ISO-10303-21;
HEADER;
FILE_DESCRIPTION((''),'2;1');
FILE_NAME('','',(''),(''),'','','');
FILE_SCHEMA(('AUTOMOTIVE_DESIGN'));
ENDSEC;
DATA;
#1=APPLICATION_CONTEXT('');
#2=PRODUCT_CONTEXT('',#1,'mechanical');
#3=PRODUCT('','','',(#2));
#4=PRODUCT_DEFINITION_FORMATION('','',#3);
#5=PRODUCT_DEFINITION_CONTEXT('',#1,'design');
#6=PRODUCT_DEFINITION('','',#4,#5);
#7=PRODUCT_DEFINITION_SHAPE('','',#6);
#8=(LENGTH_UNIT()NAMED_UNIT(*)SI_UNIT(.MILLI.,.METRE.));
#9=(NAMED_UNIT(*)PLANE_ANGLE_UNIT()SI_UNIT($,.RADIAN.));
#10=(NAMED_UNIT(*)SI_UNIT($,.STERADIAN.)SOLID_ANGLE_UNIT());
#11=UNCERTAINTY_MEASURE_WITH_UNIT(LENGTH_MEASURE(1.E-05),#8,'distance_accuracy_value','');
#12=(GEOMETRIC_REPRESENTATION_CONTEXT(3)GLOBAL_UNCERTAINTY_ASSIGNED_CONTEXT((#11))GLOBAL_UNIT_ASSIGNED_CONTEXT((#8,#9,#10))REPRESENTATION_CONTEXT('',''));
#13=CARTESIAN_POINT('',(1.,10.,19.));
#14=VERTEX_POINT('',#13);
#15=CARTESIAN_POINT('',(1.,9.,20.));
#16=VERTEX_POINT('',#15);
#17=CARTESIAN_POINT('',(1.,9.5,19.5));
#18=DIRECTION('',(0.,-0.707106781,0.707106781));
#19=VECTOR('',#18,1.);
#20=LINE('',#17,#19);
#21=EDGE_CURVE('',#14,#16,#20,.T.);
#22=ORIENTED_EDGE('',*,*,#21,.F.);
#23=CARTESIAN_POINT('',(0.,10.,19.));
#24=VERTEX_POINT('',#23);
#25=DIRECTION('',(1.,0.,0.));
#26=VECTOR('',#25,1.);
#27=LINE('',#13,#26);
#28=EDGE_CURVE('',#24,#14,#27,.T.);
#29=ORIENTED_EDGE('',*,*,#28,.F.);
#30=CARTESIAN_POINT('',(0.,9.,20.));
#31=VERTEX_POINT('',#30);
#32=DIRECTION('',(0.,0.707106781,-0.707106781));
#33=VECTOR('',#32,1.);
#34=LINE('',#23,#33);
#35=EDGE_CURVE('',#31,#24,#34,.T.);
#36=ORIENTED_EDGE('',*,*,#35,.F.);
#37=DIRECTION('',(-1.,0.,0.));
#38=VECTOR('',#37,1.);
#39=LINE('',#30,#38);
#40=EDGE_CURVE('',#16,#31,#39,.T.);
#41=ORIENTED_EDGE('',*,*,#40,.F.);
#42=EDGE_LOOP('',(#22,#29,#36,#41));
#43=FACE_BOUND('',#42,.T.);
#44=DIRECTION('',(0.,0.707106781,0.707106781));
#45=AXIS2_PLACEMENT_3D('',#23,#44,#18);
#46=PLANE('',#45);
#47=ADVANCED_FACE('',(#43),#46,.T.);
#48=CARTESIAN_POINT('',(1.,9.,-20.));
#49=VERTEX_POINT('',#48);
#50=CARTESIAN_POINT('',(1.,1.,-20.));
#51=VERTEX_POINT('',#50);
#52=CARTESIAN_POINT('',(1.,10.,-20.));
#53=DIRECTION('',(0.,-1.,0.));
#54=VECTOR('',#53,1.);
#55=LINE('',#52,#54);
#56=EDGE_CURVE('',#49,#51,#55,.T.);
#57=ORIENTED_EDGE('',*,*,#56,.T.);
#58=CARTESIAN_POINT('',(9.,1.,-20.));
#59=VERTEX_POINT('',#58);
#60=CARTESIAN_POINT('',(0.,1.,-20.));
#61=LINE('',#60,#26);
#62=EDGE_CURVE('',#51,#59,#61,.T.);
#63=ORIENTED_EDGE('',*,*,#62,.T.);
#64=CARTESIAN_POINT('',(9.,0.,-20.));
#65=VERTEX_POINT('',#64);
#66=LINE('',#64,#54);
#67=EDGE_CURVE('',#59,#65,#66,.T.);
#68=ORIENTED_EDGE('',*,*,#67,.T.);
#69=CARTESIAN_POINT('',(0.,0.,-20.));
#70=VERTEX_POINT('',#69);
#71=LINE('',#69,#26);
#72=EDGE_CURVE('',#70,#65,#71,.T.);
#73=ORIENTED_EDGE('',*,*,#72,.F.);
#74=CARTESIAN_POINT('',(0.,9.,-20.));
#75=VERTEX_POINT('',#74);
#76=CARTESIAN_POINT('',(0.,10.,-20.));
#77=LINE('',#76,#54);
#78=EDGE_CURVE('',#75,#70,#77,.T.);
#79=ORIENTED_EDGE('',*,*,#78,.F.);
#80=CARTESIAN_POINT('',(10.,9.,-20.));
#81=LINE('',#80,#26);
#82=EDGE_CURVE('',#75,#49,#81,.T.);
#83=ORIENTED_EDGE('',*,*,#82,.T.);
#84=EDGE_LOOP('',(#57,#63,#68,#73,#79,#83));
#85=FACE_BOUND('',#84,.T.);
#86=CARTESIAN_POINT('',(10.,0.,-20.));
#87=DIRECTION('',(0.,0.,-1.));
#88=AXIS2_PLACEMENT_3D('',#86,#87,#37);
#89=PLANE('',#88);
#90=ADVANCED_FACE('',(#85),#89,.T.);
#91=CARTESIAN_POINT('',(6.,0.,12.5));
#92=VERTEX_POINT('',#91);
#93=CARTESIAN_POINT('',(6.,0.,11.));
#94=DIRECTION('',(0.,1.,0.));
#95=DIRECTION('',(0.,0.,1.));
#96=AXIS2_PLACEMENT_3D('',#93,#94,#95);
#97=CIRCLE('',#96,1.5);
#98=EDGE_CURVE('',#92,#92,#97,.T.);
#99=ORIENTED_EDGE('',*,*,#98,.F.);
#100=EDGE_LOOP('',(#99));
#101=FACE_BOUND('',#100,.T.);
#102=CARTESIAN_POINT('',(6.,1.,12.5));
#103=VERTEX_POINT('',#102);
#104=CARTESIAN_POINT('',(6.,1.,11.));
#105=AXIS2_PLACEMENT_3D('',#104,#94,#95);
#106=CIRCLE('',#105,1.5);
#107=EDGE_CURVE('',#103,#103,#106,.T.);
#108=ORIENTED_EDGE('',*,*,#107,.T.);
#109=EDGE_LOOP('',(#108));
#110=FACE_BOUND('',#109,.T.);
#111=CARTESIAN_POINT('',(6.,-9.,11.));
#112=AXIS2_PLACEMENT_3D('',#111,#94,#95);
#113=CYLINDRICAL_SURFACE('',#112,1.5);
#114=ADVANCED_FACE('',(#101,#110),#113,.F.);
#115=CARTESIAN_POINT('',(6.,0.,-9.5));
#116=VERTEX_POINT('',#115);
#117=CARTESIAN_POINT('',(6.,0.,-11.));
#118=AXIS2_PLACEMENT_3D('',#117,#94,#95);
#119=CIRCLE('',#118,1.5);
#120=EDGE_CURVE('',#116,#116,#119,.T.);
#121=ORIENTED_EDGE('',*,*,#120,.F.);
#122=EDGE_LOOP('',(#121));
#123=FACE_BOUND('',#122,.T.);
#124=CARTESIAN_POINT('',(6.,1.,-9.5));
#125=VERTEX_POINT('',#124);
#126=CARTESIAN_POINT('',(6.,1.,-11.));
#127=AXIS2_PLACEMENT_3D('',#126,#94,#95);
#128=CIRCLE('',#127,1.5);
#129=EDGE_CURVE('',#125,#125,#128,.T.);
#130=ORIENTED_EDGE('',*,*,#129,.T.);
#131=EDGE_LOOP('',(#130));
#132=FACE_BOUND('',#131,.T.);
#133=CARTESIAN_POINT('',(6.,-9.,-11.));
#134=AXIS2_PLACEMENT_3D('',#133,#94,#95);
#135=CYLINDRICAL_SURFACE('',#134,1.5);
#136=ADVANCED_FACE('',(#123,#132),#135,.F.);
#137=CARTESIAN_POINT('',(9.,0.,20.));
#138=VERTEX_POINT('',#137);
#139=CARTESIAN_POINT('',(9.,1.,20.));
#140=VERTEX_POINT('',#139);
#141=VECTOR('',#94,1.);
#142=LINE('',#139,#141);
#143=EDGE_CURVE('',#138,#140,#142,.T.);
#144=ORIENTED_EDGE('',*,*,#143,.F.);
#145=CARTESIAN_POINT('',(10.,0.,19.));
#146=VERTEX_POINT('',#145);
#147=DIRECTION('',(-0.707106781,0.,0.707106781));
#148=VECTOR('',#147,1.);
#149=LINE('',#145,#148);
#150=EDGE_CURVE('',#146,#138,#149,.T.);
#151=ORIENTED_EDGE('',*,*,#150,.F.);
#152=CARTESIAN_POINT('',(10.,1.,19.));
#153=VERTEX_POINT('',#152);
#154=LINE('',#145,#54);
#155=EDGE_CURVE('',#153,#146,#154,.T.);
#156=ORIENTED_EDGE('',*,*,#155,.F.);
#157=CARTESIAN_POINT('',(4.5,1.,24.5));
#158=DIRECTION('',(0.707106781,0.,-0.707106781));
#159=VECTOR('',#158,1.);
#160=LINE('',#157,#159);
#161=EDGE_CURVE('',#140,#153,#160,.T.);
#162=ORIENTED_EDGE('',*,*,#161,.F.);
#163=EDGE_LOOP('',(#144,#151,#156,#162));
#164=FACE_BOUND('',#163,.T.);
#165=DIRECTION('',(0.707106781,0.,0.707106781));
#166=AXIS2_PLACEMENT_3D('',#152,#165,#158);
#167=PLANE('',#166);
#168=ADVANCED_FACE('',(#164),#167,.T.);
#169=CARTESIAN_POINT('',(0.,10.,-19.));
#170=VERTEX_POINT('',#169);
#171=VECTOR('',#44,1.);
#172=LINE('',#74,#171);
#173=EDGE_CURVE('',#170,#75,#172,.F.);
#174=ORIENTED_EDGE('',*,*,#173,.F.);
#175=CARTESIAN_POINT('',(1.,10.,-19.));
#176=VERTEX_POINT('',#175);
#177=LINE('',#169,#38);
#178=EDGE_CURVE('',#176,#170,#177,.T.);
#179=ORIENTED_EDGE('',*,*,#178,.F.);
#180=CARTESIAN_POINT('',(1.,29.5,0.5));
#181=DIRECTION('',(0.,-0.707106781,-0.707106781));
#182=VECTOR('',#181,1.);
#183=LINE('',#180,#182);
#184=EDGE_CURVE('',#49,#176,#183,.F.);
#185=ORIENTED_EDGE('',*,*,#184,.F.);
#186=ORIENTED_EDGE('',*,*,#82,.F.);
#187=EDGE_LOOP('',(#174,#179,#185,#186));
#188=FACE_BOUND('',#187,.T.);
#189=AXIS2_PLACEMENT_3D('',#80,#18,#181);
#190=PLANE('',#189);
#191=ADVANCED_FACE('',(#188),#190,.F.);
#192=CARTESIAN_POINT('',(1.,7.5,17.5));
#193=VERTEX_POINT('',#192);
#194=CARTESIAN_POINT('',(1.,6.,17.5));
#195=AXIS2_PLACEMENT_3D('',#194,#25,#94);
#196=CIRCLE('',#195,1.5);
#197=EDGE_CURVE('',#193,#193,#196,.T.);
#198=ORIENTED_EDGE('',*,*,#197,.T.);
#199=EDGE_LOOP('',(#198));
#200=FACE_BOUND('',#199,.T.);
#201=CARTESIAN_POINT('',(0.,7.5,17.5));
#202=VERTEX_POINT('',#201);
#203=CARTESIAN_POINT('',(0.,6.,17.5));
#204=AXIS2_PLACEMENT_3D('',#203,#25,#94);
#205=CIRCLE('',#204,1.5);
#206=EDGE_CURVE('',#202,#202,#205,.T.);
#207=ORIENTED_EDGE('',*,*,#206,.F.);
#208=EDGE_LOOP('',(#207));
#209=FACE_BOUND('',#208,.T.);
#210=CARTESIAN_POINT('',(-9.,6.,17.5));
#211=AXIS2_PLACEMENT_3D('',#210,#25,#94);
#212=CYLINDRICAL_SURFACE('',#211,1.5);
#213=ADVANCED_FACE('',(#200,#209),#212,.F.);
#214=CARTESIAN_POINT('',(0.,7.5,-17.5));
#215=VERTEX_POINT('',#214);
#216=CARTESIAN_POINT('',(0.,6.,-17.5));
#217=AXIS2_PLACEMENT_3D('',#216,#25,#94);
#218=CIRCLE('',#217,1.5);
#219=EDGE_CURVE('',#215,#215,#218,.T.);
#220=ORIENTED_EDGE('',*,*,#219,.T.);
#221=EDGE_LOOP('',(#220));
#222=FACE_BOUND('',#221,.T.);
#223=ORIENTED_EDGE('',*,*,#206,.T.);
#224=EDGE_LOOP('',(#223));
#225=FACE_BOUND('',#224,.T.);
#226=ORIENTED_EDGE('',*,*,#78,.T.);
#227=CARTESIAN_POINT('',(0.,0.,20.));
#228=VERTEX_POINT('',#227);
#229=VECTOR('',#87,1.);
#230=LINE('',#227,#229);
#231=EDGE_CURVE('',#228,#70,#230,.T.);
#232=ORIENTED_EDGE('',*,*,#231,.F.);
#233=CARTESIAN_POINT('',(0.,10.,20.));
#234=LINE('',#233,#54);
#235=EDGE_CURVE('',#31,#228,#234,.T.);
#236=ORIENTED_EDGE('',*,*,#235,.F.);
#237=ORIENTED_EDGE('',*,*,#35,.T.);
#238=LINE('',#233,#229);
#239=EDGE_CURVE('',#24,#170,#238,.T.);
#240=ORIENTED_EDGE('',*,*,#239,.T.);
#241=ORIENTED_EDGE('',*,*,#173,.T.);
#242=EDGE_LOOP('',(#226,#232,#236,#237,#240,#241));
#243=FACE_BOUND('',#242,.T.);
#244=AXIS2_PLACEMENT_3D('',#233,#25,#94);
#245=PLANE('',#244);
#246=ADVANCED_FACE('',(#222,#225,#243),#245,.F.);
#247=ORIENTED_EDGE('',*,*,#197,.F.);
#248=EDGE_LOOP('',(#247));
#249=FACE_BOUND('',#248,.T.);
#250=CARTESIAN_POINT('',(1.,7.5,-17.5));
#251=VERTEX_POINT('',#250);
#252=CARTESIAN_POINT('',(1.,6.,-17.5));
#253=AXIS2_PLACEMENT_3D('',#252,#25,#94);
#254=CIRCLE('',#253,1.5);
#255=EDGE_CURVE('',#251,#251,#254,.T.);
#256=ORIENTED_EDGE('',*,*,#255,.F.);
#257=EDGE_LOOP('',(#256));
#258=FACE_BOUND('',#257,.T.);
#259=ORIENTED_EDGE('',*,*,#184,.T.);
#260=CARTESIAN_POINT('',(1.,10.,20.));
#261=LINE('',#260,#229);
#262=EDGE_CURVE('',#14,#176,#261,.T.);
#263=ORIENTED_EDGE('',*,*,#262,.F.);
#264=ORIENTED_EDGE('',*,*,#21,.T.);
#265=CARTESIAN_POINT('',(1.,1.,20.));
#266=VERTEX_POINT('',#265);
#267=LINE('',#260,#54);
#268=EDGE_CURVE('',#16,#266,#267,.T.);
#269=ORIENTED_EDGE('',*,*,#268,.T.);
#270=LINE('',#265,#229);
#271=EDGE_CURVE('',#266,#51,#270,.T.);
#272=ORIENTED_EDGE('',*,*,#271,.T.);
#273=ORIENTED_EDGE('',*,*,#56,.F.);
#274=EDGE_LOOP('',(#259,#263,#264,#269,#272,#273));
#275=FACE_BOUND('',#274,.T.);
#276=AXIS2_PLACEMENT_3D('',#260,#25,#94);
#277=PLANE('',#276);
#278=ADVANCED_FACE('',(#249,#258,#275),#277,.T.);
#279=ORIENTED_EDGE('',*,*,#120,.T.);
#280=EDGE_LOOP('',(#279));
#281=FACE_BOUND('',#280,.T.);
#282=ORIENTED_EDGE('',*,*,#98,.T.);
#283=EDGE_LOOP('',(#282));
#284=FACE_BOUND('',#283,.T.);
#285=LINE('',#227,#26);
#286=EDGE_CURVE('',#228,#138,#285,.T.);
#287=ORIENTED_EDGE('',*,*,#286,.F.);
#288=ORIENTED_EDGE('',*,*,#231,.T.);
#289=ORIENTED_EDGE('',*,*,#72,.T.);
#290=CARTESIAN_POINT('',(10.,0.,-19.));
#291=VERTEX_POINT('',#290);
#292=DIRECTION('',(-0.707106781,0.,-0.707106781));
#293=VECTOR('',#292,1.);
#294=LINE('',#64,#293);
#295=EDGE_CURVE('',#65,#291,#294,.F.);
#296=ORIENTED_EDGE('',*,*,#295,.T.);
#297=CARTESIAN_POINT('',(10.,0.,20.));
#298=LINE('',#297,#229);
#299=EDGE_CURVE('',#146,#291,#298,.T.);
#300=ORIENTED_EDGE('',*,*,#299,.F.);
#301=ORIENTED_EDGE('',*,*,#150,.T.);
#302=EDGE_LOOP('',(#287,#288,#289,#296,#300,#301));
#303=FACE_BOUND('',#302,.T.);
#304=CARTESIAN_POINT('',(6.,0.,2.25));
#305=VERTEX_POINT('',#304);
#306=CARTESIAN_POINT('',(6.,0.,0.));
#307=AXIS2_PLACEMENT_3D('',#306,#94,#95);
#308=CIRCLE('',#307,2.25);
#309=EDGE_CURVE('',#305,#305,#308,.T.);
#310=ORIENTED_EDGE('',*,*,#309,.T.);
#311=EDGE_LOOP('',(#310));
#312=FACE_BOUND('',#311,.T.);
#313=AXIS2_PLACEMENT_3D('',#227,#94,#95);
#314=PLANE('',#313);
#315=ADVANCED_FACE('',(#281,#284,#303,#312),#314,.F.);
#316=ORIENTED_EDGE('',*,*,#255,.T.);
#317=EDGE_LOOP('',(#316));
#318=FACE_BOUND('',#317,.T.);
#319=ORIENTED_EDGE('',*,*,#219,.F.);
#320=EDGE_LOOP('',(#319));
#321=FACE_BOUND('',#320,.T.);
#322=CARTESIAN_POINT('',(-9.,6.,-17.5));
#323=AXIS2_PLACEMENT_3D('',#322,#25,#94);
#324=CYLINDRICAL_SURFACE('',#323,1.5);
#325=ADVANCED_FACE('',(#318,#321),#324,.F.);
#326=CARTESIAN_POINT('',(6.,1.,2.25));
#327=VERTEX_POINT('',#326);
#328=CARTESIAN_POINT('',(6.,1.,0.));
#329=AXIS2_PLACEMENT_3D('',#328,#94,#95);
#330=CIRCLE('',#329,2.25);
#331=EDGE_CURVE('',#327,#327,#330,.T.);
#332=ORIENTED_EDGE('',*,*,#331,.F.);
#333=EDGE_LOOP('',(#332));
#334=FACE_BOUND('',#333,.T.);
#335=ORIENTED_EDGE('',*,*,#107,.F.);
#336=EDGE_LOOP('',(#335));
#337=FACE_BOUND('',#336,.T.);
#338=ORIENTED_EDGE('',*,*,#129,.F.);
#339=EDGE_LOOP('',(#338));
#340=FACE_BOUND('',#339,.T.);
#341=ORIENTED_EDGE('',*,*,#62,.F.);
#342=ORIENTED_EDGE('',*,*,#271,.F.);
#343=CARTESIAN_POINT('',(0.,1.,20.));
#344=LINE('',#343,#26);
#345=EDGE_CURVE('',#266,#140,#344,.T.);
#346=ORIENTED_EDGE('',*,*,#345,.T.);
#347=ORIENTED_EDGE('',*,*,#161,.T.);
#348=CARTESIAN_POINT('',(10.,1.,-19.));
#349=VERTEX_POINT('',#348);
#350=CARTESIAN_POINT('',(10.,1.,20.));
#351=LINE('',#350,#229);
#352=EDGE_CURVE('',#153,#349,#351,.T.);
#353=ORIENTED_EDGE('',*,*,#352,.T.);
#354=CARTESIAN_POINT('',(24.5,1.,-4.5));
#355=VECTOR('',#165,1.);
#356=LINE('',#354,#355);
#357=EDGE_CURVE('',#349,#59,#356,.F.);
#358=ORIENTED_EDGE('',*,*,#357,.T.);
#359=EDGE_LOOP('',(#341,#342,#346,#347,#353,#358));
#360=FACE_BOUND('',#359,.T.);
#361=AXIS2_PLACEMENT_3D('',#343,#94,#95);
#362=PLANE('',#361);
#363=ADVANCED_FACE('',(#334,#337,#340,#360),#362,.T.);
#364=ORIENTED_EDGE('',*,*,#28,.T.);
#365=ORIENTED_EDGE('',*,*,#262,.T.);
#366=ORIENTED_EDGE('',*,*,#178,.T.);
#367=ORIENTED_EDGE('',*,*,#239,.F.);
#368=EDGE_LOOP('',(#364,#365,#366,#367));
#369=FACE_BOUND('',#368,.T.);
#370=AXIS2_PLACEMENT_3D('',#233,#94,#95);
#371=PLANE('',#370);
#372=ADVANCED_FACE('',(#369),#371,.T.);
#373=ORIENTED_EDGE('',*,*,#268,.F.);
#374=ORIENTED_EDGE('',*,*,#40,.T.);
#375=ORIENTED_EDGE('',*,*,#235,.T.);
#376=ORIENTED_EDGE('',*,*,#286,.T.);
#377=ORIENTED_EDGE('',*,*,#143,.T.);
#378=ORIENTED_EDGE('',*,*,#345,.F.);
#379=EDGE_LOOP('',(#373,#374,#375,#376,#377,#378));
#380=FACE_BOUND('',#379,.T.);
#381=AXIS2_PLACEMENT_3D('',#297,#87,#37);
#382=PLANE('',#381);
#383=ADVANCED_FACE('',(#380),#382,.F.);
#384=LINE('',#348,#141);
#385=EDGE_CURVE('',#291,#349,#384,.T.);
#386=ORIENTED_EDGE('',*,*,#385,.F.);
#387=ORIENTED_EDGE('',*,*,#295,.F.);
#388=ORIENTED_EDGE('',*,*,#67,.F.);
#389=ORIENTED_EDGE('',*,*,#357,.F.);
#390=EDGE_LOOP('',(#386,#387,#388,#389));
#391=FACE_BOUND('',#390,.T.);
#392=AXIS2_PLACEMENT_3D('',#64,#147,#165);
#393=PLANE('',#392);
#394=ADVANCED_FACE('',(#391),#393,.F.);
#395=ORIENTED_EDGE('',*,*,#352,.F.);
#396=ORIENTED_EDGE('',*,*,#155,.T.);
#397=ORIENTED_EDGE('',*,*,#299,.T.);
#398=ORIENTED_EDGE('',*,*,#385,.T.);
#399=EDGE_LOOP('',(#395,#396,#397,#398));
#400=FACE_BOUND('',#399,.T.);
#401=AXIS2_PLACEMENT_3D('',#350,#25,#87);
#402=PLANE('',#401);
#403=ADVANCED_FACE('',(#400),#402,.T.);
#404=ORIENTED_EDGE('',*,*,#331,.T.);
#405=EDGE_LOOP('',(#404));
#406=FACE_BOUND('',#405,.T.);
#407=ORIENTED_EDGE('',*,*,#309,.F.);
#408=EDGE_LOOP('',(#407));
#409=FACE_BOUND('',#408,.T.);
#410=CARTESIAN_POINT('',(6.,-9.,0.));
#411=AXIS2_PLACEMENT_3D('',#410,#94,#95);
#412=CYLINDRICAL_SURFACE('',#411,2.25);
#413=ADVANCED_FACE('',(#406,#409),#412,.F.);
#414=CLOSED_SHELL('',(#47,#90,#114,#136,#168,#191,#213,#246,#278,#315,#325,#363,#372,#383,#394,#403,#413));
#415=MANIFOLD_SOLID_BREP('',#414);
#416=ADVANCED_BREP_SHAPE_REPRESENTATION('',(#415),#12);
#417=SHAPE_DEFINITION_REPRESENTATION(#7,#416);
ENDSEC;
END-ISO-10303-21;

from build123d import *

# Parameters (mm, degrees)
LINEAR_AUSTRAGEN_D_NN1_DEPTH    = 20
FASE1_SIZE                      = 1
SKIZZE2_R                       = 1.5
SCHNITT_LINEAR_AUSTRAGEN1_DEPTH = 10
SKIZZE3_R                       = 1.5
SCHNITT_LINEAR_AUSTRAGEN2_DEPTH = 10
SKIZZE4_R                       = 2.25
SCHNITT_LINEAR_AUSTRAGEN3_DEPTH = 10


with BuildPart() as part:
    # Skizze1 → Linear-Austragen-Dünn1 (new, symmetric)
    with BuildSketch(Plane.XY):
        Polygon((0, 10), (0, 0), (10, 0), (10, 1), (1, 1), (1, 10), align=None)
    extrude(amount=LINEAR_AUSTRAGEN_D_NN1_DEPTH, both=True)

    # Fase1
    fase1_edges = [part.edges().sort_by_distance(p)[0] for p in [
        (0.5, 10, 20),
        (0.5, 10, -20),
        (10, 0.5, -20),
        (10, 0.5, 20),
    ]]
    chamfer(fase1_edges, length=FASE1_SIZE)

    # Skizze2 → Schnitt-Linear austragen1 (cut)
    with BuildSketch(Plane(origin=(1, 0, 0), x_dir=(0, 0, -1), z_dir=(1, 0, 0))):
        with Locations(Location((-17.5, 6, 0), (0, 0, 90))):
            Circle(SKIZZE2_R)
        with Locations(Location((17.5, 6, 0), (0, 0, 90))):
            Circle(SKIZZE2_R)
    extrude(amount=-SCHNITT_LINEAR_AUSTRAGEN1_DEPTH, mode=Mode.SUBTRACT)

    # Skizze3 → Schnitt-Linear austragen2 (cut)
    with BuildSketch(Plane(origin=(0, 1, 0), x_dir=(1, 0, 0), z_dir=(0, 1, 0))):
        with Locations(Location((6, -11, 0), (0, 0, 270))):
            Circle(SKIZZE3_R)
        with Locations(Location((6, 11, 0), (0, 0, 270))):
            Circle(SKIZZE3_R)
    extrude(amount=-SCHNITT_LINEAR_AUSTRAGEN2_DEPTH, mode=Mode.SUBTRACT)

    # Skizze4 → Schnitt-Linear austragen3 (cut)
    with BuildSketch(Plane(origin=(0, 1, 0), x_dir=(1, 0, 0), z_dir=(0, 1, 0))):
        with Locations(Location((6, 0, 0), (0, 0, 270))):
            Circle(SKIZZE4_R)
    extrude(amount=-SCHNITT_LINEAR_AUSTRAGEN3_DEPTH, mode=Mode.SUBTRACT)


solid = part.part
